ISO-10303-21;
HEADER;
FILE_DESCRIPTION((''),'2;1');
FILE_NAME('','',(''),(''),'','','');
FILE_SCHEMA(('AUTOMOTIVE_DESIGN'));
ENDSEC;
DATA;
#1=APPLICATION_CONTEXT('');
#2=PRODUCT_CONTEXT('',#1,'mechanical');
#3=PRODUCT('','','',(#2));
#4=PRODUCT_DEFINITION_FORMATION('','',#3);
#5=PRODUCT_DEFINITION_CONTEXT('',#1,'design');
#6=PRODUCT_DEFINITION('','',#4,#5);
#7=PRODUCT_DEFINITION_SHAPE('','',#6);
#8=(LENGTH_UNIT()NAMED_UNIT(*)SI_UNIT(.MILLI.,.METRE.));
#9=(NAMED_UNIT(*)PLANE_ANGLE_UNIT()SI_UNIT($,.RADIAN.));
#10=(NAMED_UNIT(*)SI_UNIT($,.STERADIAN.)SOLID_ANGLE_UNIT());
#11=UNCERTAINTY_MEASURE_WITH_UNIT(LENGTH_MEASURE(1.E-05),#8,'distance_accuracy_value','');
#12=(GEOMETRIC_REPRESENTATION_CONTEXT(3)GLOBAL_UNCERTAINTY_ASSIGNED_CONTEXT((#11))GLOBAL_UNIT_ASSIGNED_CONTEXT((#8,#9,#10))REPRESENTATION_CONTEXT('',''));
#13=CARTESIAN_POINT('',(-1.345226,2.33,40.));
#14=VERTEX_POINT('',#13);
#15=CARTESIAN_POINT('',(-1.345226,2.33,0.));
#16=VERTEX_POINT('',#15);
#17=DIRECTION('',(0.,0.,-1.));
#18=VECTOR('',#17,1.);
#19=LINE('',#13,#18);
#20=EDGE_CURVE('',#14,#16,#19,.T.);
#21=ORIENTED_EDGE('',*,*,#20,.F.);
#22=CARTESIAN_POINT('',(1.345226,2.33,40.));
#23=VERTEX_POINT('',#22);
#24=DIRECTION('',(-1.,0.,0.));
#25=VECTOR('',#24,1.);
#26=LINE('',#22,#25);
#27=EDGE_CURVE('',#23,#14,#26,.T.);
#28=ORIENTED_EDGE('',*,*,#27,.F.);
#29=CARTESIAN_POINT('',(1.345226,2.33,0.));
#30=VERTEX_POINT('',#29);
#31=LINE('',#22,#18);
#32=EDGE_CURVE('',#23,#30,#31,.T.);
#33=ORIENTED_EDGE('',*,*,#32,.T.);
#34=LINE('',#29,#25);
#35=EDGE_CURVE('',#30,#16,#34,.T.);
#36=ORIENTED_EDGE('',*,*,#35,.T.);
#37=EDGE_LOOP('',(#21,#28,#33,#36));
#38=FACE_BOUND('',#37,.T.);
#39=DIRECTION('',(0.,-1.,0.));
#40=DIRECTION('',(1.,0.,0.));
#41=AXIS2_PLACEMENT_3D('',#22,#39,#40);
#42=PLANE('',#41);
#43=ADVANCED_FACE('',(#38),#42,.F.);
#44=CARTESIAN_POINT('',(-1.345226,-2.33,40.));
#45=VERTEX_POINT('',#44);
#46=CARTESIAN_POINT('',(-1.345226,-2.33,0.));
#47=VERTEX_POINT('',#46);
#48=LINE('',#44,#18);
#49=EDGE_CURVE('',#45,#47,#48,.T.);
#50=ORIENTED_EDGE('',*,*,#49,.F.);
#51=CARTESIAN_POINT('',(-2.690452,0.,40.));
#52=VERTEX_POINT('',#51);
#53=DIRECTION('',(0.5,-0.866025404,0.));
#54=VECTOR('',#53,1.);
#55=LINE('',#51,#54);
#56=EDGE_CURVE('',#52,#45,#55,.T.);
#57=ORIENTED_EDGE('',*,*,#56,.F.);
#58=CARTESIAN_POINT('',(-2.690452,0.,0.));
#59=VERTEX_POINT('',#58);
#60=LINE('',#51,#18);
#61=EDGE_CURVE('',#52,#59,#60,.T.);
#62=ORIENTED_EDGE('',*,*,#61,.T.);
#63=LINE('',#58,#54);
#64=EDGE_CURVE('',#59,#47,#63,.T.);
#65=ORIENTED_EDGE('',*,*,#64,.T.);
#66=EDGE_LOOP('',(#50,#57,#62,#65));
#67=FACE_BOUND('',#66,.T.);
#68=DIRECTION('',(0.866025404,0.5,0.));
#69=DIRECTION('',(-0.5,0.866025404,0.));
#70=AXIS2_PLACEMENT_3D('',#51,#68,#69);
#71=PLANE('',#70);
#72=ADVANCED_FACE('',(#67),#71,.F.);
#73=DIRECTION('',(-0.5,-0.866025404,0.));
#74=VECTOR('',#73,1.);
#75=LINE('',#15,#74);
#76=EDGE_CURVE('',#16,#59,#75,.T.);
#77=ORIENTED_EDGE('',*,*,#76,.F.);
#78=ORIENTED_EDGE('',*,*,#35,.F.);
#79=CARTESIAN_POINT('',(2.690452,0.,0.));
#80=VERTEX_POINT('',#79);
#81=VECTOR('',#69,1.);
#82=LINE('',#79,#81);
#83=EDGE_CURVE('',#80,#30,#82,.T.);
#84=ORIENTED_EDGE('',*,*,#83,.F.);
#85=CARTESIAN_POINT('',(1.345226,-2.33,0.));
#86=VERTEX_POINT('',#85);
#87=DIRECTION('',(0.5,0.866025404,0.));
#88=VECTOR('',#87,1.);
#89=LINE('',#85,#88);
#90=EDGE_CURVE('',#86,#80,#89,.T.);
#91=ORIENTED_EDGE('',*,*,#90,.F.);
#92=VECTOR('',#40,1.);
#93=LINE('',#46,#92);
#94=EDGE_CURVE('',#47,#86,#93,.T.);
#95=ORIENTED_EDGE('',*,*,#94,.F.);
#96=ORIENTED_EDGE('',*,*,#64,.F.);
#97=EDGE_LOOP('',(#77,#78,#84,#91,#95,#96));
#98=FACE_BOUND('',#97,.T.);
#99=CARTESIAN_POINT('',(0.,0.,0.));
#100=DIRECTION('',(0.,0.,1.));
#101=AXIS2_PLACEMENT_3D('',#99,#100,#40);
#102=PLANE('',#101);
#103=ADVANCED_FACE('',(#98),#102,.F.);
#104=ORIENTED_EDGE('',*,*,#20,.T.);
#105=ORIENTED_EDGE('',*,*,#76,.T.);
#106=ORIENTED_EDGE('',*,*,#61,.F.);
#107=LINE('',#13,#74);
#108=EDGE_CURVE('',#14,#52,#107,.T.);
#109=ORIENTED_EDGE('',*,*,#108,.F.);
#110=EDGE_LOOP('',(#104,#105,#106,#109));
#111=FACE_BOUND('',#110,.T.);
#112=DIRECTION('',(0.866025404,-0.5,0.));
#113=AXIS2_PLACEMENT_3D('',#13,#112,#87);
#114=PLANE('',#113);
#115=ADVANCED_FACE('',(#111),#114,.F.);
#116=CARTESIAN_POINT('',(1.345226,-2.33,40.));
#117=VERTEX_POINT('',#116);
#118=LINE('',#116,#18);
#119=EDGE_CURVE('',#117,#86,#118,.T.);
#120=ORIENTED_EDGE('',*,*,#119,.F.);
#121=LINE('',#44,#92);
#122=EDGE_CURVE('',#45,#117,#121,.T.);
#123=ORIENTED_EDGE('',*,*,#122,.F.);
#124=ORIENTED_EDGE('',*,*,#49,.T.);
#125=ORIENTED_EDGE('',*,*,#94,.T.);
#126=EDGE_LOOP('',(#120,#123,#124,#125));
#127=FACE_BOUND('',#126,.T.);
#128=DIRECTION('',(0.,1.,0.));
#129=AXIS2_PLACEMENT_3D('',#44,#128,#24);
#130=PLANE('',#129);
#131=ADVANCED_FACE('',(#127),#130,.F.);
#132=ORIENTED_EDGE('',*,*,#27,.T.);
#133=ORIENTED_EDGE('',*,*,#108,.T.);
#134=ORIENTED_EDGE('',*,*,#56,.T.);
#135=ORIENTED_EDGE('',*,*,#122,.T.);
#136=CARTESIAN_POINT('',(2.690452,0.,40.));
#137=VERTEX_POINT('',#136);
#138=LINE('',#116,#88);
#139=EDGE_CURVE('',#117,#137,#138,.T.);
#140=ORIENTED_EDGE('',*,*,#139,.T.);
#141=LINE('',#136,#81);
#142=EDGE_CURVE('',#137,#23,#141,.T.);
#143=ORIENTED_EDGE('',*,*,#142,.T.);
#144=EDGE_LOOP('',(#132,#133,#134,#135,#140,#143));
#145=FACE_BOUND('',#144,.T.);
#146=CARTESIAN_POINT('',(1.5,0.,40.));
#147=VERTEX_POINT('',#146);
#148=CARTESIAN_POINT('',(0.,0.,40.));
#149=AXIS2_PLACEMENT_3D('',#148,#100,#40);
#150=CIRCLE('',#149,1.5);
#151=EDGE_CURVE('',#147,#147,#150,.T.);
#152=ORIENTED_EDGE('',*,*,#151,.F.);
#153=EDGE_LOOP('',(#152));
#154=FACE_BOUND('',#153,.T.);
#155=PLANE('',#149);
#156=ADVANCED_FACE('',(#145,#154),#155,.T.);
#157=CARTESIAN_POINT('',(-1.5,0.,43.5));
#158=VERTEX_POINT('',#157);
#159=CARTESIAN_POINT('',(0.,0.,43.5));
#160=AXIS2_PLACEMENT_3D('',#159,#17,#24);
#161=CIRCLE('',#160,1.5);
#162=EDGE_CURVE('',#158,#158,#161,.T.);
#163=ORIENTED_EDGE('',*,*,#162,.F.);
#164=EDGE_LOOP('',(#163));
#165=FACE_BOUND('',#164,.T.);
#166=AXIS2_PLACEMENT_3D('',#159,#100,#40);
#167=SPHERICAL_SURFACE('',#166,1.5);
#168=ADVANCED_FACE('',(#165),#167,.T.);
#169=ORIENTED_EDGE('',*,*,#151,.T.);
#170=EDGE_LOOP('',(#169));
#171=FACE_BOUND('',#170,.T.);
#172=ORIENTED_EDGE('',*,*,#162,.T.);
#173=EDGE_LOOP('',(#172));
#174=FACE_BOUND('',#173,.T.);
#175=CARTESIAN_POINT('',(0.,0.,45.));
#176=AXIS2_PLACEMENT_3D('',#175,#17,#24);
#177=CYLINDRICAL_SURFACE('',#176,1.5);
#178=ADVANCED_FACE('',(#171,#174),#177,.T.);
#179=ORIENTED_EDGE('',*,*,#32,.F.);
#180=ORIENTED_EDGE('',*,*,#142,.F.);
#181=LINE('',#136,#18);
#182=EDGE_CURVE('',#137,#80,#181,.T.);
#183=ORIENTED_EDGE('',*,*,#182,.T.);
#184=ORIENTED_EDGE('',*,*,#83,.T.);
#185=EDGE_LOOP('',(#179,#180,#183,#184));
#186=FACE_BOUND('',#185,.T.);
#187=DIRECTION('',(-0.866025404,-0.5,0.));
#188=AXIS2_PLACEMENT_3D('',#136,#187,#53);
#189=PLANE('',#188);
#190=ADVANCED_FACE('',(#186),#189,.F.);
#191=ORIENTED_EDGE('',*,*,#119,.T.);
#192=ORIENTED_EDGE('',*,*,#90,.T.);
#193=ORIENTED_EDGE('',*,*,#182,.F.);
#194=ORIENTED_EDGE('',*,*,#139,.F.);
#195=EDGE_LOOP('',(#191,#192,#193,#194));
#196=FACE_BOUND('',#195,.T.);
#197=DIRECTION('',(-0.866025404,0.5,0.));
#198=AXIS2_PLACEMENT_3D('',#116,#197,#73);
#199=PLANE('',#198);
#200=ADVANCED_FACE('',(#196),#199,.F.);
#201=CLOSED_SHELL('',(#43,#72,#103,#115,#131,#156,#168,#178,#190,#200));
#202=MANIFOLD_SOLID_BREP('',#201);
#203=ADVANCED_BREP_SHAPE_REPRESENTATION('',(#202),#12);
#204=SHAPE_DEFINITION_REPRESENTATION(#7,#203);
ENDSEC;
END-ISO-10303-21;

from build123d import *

# Parameters (mm, degrees)
EXTRUDE_1_DEPTH = 40
SKETCH_2_R      = 1.5
EXTRUDE_2_DEPTH = 5
FILLET_1_R      = 1.5


with BuildPart() as part:
    # 草图1 → 凸台-拉伸1 (new body)
    with BuildSketch(Plane.XY):
        Polygon((2.690452254, 0), (1.345226127, 2.33), (-1.345226127, 2.33), (-2.690452254, 0), (-1.345226127, -2.33), (1.345226127, -2.33), align=None)
    extrude(amount=EXTRUDE_1_DEPTH)

    # 草图2 → 凸台-拉伸2 (add)
    with BuildSketch(Plane.XY.offset(40)):
        Circle(SKETCH_2_R)
    extrude(amount=EXTRUDE_2_DEPTH)

    # 圆角1
    fillet_1_edges = [part.edges().sort_by_distance(p)[0] for p in [
        (-1.5, 0, 45),
    ]]
    fillet(fillet_1_edges, radius=FILLET_1_R)


solid = part.part
